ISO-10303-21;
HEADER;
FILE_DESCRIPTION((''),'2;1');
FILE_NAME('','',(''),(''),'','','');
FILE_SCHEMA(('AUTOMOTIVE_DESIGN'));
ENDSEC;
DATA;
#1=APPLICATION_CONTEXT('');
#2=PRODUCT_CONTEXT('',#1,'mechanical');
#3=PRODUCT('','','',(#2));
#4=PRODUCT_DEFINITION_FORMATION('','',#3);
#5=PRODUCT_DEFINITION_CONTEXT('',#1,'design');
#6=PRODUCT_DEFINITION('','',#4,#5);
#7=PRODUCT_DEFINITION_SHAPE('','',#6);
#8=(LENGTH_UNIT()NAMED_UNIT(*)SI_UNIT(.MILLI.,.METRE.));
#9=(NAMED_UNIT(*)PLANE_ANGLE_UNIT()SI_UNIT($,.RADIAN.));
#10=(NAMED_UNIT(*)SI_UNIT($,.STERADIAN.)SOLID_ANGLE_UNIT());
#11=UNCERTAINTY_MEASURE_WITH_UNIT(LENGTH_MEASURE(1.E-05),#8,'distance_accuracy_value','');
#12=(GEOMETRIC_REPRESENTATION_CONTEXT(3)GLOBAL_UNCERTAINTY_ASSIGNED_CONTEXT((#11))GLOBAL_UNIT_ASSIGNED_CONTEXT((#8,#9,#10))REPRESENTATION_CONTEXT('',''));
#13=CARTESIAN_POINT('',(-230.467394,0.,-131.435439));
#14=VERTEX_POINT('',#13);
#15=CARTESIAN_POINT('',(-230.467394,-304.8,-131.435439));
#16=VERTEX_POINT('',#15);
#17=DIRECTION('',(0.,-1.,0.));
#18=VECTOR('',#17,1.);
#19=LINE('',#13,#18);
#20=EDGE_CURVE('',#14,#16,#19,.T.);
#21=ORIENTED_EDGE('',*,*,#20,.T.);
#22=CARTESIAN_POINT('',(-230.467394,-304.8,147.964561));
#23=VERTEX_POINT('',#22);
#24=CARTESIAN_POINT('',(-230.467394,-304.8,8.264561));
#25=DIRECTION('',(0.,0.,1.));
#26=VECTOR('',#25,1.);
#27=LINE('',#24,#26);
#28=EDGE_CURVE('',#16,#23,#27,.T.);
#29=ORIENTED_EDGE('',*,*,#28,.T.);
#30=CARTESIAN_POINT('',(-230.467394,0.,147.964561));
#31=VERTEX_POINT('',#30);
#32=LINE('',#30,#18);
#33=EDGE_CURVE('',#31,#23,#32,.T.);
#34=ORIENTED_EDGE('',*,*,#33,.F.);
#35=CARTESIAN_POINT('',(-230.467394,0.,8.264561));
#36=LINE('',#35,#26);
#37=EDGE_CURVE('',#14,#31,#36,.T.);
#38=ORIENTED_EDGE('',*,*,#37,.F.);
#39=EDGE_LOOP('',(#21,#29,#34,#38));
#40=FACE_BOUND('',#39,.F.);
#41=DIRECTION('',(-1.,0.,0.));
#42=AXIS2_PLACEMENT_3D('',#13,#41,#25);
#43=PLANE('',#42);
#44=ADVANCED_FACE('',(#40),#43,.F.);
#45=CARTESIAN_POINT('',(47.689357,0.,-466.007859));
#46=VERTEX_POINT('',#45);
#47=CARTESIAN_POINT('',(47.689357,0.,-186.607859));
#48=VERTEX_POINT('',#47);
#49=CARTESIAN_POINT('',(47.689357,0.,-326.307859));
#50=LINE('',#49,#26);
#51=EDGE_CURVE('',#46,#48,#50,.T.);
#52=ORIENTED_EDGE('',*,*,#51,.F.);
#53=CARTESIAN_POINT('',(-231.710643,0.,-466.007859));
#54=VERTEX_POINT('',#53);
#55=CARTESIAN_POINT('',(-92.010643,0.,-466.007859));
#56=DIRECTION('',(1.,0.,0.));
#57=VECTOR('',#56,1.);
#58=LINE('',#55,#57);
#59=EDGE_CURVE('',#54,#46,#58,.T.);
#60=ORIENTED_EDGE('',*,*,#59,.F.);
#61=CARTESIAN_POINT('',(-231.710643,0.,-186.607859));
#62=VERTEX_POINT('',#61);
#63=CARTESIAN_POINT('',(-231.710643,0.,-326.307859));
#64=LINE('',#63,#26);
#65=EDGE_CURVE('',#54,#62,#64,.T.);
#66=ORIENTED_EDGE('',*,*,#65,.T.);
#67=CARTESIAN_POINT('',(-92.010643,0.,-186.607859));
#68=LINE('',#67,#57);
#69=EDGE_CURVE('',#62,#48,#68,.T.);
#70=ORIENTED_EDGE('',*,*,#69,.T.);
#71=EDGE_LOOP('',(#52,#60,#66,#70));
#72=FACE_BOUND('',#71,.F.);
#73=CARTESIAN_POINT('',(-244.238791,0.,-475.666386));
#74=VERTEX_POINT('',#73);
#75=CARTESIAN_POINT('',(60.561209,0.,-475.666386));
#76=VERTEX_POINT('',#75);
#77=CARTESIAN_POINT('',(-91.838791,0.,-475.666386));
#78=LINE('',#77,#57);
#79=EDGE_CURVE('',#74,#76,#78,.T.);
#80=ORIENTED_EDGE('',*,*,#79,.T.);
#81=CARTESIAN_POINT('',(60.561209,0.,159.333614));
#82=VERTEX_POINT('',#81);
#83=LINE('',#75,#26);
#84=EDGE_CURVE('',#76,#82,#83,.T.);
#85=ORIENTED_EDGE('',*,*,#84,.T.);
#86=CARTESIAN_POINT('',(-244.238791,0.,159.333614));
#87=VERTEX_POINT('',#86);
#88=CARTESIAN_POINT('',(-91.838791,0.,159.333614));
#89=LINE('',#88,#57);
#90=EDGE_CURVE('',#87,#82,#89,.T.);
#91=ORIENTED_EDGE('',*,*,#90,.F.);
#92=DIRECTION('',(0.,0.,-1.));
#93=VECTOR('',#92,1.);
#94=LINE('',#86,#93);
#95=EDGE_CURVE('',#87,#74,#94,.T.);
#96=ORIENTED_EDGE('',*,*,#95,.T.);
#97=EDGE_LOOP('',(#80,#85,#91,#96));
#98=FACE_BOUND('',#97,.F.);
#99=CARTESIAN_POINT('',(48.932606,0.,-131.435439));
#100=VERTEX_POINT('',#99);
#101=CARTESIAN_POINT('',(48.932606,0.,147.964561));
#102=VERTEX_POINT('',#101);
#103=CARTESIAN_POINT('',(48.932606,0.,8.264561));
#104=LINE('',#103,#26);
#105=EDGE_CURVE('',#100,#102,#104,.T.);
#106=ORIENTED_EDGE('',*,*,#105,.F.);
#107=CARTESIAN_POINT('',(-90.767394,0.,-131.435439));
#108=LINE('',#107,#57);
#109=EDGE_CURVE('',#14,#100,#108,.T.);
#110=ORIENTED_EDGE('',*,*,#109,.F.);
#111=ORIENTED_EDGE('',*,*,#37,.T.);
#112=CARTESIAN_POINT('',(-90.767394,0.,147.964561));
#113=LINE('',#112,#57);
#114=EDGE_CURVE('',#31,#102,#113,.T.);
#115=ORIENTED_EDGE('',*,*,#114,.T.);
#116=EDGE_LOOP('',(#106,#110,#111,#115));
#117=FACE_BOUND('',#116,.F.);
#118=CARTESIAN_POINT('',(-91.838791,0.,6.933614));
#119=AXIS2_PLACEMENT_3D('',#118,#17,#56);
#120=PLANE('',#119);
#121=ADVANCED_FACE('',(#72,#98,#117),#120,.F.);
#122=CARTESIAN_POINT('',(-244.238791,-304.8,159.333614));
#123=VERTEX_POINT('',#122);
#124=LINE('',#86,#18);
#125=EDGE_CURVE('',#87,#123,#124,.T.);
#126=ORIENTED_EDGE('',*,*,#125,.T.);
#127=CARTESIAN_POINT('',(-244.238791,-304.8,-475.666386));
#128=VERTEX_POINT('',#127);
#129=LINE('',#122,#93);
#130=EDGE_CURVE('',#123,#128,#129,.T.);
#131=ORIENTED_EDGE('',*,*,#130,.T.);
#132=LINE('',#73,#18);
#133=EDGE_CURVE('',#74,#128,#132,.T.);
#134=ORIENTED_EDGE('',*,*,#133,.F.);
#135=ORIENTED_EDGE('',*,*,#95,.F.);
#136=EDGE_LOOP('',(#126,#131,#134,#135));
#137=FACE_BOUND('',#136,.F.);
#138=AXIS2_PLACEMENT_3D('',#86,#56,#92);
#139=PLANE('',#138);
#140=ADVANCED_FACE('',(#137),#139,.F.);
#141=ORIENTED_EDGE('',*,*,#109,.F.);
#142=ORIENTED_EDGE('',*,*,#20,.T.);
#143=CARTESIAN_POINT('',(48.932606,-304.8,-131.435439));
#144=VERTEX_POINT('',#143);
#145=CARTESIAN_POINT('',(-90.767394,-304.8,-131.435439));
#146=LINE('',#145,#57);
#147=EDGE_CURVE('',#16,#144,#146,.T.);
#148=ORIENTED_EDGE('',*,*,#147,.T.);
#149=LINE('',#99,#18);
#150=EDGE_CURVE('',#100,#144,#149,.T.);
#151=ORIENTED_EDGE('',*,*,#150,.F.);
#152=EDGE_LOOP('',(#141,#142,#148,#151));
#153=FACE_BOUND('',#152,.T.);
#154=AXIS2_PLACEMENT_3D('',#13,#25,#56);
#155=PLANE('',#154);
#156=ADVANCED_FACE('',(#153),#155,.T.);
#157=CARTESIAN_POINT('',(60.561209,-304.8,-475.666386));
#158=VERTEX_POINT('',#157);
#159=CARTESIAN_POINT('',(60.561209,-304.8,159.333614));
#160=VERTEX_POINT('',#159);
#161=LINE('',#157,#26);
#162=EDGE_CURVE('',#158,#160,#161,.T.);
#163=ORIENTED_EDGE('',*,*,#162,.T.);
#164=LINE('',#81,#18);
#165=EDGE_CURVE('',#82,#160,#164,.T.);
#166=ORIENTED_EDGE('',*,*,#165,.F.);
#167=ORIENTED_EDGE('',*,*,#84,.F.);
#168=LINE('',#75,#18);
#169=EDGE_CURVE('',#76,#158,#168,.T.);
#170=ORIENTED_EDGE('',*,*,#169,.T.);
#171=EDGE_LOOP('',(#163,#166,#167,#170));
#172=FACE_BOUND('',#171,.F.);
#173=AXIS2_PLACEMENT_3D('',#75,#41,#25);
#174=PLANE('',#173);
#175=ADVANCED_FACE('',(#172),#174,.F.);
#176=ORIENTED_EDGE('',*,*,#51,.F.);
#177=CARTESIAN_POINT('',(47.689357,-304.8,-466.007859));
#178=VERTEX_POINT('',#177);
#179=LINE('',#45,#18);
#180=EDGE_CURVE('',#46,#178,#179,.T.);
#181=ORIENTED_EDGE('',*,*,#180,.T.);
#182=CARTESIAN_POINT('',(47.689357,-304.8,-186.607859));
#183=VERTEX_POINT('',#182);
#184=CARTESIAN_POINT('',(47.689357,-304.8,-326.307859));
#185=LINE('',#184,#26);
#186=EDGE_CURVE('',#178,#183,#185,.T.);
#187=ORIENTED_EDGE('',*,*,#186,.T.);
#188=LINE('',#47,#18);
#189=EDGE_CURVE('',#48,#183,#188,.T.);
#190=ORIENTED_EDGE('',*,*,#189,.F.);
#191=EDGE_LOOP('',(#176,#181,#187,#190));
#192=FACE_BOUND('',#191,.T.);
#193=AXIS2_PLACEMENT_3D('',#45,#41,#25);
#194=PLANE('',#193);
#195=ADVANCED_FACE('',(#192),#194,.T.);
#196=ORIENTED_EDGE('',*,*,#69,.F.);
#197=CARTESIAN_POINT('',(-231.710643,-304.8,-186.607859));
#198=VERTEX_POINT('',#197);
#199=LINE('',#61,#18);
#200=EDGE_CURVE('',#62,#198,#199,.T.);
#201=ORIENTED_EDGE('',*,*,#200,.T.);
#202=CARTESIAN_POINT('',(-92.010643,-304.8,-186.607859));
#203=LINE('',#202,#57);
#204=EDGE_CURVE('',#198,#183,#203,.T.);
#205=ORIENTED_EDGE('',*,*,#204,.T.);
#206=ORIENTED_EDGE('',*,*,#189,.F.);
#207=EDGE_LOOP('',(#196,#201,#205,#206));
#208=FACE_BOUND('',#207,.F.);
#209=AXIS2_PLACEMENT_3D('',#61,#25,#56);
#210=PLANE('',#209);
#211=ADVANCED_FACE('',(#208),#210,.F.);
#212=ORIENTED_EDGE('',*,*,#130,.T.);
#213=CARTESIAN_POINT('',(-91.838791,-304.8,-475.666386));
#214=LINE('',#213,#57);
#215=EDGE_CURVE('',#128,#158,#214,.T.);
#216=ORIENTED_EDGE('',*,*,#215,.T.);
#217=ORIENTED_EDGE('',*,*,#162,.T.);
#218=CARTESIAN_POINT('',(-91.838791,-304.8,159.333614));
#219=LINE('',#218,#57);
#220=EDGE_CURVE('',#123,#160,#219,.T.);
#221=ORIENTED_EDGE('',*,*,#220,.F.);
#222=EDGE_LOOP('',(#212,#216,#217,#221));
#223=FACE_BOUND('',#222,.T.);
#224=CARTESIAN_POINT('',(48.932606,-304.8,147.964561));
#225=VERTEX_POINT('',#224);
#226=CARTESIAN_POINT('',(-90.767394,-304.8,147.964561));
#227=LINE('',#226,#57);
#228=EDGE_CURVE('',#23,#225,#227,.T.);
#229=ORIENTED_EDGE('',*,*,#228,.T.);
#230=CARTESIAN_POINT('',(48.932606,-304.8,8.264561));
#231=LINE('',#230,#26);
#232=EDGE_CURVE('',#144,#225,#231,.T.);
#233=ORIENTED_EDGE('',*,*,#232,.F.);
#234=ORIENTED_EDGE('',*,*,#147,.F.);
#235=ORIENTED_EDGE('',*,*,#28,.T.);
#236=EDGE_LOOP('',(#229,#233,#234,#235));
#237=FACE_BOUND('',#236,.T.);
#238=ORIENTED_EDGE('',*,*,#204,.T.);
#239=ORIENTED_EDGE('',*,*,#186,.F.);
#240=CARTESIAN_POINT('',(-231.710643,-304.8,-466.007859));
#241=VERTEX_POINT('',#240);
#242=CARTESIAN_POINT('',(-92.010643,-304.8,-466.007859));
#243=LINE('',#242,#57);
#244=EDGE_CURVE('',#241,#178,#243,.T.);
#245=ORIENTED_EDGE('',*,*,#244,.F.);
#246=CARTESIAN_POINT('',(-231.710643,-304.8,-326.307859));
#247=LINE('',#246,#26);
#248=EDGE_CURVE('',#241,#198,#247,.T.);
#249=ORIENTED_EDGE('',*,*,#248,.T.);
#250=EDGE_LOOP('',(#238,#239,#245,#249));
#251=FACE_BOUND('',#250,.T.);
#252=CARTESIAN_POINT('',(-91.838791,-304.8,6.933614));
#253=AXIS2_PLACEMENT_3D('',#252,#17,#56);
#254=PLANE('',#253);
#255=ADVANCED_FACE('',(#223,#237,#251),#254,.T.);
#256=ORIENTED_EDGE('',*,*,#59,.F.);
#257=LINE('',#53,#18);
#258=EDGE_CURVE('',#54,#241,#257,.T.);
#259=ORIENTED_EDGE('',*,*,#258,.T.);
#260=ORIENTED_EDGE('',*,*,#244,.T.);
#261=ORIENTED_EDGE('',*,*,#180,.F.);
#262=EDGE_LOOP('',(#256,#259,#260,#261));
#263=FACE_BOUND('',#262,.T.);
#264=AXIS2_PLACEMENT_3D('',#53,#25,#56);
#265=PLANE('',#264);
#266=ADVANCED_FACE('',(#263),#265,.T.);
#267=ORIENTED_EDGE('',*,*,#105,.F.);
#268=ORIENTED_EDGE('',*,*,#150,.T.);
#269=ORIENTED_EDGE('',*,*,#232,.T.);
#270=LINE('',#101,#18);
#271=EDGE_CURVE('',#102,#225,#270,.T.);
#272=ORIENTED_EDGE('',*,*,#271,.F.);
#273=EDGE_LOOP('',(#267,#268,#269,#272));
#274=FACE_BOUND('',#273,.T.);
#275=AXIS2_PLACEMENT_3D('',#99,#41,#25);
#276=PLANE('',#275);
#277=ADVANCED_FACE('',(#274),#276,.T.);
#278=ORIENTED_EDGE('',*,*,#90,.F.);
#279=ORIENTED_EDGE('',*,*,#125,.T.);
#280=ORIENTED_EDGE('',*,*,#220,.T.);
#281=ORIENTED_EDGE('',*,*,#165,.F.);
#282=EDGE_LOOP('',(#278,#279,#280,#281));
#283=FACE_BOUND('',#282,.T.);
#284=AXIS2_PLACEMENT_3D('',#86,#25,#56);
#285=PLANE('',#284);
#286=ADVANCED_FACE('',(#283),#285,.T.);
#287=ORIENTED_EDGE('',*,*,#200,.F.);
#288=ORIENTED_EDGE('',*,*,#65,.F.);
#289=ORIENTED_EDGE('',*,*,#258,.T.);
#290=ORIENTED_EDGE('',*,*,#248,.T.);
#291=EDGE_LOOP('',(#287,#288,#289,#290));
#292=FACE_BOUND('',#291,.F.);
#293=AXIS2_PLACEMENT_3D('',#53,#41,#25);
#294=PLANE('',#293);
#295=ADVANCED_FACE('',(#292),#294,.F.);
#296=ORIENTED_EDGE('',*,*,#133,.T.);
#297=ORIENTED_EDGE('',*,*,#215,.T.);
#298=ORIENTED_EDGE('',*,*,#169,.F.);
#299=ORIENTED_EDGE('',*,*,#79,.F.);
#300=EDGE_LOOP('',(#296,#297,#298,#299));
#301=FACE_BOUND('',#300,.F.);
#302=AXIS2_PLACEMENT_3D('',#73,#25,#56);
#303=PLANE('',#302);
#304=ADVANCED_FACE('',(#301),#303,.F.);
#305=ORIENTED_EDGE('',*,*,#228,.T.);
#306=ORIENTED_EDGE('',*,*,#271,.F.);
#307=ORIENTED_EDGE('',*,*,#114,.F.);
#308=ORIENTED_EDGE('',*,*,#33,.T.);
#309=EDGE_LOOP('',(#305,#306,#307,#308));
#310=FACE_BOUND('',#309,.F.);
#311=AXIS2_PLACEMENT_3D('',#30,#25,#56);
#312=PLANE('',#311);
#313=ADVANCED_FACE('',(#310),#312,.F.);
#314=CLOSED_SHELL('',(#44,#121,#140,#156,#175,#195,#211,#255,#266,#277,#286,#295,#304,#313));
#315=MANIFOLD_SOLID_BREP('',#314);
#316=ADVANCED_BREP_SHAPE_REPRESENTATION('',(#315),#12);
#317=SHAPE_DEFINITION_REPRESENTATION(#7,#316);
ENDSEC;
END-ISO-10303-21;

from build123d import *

# Parameters (mm, degrees)
F0_W     = 304.8
F0_H     = 304.8
F0_W_2   = 279.4
F0_H_2   = 279.4
F0_H_3   = 25.4
F1_DEPTH = 304.8


with BuildPart() as f1:
    # F0 (on Front) → F1 (new body)
    with BuildSketch(Plane.XZ):
        with Locations((-91.838791, 6.933614)):
            Rectangle(F0_W, F0_H)
        with Locations((-90.767394, 8.264561)):
            Rectangle(F0_W_2, F0_H_2, mode=Mode.SUBTRACT)
        with Locations((-91.838791, -158.166386)):
            Rectangle(F0_W, F0_H_3)
        with Locations((-91.838791, -323.266386)):
            Rectangle(F0_W, F0_H)
        with Locations((-92.010643, -326.307859)):
            Rectangle(F0_W_2, F0_H_2, mode=Mode.SUBTRACT)
    extrude(amount=F1_DEPTH)


solid = f1.part
